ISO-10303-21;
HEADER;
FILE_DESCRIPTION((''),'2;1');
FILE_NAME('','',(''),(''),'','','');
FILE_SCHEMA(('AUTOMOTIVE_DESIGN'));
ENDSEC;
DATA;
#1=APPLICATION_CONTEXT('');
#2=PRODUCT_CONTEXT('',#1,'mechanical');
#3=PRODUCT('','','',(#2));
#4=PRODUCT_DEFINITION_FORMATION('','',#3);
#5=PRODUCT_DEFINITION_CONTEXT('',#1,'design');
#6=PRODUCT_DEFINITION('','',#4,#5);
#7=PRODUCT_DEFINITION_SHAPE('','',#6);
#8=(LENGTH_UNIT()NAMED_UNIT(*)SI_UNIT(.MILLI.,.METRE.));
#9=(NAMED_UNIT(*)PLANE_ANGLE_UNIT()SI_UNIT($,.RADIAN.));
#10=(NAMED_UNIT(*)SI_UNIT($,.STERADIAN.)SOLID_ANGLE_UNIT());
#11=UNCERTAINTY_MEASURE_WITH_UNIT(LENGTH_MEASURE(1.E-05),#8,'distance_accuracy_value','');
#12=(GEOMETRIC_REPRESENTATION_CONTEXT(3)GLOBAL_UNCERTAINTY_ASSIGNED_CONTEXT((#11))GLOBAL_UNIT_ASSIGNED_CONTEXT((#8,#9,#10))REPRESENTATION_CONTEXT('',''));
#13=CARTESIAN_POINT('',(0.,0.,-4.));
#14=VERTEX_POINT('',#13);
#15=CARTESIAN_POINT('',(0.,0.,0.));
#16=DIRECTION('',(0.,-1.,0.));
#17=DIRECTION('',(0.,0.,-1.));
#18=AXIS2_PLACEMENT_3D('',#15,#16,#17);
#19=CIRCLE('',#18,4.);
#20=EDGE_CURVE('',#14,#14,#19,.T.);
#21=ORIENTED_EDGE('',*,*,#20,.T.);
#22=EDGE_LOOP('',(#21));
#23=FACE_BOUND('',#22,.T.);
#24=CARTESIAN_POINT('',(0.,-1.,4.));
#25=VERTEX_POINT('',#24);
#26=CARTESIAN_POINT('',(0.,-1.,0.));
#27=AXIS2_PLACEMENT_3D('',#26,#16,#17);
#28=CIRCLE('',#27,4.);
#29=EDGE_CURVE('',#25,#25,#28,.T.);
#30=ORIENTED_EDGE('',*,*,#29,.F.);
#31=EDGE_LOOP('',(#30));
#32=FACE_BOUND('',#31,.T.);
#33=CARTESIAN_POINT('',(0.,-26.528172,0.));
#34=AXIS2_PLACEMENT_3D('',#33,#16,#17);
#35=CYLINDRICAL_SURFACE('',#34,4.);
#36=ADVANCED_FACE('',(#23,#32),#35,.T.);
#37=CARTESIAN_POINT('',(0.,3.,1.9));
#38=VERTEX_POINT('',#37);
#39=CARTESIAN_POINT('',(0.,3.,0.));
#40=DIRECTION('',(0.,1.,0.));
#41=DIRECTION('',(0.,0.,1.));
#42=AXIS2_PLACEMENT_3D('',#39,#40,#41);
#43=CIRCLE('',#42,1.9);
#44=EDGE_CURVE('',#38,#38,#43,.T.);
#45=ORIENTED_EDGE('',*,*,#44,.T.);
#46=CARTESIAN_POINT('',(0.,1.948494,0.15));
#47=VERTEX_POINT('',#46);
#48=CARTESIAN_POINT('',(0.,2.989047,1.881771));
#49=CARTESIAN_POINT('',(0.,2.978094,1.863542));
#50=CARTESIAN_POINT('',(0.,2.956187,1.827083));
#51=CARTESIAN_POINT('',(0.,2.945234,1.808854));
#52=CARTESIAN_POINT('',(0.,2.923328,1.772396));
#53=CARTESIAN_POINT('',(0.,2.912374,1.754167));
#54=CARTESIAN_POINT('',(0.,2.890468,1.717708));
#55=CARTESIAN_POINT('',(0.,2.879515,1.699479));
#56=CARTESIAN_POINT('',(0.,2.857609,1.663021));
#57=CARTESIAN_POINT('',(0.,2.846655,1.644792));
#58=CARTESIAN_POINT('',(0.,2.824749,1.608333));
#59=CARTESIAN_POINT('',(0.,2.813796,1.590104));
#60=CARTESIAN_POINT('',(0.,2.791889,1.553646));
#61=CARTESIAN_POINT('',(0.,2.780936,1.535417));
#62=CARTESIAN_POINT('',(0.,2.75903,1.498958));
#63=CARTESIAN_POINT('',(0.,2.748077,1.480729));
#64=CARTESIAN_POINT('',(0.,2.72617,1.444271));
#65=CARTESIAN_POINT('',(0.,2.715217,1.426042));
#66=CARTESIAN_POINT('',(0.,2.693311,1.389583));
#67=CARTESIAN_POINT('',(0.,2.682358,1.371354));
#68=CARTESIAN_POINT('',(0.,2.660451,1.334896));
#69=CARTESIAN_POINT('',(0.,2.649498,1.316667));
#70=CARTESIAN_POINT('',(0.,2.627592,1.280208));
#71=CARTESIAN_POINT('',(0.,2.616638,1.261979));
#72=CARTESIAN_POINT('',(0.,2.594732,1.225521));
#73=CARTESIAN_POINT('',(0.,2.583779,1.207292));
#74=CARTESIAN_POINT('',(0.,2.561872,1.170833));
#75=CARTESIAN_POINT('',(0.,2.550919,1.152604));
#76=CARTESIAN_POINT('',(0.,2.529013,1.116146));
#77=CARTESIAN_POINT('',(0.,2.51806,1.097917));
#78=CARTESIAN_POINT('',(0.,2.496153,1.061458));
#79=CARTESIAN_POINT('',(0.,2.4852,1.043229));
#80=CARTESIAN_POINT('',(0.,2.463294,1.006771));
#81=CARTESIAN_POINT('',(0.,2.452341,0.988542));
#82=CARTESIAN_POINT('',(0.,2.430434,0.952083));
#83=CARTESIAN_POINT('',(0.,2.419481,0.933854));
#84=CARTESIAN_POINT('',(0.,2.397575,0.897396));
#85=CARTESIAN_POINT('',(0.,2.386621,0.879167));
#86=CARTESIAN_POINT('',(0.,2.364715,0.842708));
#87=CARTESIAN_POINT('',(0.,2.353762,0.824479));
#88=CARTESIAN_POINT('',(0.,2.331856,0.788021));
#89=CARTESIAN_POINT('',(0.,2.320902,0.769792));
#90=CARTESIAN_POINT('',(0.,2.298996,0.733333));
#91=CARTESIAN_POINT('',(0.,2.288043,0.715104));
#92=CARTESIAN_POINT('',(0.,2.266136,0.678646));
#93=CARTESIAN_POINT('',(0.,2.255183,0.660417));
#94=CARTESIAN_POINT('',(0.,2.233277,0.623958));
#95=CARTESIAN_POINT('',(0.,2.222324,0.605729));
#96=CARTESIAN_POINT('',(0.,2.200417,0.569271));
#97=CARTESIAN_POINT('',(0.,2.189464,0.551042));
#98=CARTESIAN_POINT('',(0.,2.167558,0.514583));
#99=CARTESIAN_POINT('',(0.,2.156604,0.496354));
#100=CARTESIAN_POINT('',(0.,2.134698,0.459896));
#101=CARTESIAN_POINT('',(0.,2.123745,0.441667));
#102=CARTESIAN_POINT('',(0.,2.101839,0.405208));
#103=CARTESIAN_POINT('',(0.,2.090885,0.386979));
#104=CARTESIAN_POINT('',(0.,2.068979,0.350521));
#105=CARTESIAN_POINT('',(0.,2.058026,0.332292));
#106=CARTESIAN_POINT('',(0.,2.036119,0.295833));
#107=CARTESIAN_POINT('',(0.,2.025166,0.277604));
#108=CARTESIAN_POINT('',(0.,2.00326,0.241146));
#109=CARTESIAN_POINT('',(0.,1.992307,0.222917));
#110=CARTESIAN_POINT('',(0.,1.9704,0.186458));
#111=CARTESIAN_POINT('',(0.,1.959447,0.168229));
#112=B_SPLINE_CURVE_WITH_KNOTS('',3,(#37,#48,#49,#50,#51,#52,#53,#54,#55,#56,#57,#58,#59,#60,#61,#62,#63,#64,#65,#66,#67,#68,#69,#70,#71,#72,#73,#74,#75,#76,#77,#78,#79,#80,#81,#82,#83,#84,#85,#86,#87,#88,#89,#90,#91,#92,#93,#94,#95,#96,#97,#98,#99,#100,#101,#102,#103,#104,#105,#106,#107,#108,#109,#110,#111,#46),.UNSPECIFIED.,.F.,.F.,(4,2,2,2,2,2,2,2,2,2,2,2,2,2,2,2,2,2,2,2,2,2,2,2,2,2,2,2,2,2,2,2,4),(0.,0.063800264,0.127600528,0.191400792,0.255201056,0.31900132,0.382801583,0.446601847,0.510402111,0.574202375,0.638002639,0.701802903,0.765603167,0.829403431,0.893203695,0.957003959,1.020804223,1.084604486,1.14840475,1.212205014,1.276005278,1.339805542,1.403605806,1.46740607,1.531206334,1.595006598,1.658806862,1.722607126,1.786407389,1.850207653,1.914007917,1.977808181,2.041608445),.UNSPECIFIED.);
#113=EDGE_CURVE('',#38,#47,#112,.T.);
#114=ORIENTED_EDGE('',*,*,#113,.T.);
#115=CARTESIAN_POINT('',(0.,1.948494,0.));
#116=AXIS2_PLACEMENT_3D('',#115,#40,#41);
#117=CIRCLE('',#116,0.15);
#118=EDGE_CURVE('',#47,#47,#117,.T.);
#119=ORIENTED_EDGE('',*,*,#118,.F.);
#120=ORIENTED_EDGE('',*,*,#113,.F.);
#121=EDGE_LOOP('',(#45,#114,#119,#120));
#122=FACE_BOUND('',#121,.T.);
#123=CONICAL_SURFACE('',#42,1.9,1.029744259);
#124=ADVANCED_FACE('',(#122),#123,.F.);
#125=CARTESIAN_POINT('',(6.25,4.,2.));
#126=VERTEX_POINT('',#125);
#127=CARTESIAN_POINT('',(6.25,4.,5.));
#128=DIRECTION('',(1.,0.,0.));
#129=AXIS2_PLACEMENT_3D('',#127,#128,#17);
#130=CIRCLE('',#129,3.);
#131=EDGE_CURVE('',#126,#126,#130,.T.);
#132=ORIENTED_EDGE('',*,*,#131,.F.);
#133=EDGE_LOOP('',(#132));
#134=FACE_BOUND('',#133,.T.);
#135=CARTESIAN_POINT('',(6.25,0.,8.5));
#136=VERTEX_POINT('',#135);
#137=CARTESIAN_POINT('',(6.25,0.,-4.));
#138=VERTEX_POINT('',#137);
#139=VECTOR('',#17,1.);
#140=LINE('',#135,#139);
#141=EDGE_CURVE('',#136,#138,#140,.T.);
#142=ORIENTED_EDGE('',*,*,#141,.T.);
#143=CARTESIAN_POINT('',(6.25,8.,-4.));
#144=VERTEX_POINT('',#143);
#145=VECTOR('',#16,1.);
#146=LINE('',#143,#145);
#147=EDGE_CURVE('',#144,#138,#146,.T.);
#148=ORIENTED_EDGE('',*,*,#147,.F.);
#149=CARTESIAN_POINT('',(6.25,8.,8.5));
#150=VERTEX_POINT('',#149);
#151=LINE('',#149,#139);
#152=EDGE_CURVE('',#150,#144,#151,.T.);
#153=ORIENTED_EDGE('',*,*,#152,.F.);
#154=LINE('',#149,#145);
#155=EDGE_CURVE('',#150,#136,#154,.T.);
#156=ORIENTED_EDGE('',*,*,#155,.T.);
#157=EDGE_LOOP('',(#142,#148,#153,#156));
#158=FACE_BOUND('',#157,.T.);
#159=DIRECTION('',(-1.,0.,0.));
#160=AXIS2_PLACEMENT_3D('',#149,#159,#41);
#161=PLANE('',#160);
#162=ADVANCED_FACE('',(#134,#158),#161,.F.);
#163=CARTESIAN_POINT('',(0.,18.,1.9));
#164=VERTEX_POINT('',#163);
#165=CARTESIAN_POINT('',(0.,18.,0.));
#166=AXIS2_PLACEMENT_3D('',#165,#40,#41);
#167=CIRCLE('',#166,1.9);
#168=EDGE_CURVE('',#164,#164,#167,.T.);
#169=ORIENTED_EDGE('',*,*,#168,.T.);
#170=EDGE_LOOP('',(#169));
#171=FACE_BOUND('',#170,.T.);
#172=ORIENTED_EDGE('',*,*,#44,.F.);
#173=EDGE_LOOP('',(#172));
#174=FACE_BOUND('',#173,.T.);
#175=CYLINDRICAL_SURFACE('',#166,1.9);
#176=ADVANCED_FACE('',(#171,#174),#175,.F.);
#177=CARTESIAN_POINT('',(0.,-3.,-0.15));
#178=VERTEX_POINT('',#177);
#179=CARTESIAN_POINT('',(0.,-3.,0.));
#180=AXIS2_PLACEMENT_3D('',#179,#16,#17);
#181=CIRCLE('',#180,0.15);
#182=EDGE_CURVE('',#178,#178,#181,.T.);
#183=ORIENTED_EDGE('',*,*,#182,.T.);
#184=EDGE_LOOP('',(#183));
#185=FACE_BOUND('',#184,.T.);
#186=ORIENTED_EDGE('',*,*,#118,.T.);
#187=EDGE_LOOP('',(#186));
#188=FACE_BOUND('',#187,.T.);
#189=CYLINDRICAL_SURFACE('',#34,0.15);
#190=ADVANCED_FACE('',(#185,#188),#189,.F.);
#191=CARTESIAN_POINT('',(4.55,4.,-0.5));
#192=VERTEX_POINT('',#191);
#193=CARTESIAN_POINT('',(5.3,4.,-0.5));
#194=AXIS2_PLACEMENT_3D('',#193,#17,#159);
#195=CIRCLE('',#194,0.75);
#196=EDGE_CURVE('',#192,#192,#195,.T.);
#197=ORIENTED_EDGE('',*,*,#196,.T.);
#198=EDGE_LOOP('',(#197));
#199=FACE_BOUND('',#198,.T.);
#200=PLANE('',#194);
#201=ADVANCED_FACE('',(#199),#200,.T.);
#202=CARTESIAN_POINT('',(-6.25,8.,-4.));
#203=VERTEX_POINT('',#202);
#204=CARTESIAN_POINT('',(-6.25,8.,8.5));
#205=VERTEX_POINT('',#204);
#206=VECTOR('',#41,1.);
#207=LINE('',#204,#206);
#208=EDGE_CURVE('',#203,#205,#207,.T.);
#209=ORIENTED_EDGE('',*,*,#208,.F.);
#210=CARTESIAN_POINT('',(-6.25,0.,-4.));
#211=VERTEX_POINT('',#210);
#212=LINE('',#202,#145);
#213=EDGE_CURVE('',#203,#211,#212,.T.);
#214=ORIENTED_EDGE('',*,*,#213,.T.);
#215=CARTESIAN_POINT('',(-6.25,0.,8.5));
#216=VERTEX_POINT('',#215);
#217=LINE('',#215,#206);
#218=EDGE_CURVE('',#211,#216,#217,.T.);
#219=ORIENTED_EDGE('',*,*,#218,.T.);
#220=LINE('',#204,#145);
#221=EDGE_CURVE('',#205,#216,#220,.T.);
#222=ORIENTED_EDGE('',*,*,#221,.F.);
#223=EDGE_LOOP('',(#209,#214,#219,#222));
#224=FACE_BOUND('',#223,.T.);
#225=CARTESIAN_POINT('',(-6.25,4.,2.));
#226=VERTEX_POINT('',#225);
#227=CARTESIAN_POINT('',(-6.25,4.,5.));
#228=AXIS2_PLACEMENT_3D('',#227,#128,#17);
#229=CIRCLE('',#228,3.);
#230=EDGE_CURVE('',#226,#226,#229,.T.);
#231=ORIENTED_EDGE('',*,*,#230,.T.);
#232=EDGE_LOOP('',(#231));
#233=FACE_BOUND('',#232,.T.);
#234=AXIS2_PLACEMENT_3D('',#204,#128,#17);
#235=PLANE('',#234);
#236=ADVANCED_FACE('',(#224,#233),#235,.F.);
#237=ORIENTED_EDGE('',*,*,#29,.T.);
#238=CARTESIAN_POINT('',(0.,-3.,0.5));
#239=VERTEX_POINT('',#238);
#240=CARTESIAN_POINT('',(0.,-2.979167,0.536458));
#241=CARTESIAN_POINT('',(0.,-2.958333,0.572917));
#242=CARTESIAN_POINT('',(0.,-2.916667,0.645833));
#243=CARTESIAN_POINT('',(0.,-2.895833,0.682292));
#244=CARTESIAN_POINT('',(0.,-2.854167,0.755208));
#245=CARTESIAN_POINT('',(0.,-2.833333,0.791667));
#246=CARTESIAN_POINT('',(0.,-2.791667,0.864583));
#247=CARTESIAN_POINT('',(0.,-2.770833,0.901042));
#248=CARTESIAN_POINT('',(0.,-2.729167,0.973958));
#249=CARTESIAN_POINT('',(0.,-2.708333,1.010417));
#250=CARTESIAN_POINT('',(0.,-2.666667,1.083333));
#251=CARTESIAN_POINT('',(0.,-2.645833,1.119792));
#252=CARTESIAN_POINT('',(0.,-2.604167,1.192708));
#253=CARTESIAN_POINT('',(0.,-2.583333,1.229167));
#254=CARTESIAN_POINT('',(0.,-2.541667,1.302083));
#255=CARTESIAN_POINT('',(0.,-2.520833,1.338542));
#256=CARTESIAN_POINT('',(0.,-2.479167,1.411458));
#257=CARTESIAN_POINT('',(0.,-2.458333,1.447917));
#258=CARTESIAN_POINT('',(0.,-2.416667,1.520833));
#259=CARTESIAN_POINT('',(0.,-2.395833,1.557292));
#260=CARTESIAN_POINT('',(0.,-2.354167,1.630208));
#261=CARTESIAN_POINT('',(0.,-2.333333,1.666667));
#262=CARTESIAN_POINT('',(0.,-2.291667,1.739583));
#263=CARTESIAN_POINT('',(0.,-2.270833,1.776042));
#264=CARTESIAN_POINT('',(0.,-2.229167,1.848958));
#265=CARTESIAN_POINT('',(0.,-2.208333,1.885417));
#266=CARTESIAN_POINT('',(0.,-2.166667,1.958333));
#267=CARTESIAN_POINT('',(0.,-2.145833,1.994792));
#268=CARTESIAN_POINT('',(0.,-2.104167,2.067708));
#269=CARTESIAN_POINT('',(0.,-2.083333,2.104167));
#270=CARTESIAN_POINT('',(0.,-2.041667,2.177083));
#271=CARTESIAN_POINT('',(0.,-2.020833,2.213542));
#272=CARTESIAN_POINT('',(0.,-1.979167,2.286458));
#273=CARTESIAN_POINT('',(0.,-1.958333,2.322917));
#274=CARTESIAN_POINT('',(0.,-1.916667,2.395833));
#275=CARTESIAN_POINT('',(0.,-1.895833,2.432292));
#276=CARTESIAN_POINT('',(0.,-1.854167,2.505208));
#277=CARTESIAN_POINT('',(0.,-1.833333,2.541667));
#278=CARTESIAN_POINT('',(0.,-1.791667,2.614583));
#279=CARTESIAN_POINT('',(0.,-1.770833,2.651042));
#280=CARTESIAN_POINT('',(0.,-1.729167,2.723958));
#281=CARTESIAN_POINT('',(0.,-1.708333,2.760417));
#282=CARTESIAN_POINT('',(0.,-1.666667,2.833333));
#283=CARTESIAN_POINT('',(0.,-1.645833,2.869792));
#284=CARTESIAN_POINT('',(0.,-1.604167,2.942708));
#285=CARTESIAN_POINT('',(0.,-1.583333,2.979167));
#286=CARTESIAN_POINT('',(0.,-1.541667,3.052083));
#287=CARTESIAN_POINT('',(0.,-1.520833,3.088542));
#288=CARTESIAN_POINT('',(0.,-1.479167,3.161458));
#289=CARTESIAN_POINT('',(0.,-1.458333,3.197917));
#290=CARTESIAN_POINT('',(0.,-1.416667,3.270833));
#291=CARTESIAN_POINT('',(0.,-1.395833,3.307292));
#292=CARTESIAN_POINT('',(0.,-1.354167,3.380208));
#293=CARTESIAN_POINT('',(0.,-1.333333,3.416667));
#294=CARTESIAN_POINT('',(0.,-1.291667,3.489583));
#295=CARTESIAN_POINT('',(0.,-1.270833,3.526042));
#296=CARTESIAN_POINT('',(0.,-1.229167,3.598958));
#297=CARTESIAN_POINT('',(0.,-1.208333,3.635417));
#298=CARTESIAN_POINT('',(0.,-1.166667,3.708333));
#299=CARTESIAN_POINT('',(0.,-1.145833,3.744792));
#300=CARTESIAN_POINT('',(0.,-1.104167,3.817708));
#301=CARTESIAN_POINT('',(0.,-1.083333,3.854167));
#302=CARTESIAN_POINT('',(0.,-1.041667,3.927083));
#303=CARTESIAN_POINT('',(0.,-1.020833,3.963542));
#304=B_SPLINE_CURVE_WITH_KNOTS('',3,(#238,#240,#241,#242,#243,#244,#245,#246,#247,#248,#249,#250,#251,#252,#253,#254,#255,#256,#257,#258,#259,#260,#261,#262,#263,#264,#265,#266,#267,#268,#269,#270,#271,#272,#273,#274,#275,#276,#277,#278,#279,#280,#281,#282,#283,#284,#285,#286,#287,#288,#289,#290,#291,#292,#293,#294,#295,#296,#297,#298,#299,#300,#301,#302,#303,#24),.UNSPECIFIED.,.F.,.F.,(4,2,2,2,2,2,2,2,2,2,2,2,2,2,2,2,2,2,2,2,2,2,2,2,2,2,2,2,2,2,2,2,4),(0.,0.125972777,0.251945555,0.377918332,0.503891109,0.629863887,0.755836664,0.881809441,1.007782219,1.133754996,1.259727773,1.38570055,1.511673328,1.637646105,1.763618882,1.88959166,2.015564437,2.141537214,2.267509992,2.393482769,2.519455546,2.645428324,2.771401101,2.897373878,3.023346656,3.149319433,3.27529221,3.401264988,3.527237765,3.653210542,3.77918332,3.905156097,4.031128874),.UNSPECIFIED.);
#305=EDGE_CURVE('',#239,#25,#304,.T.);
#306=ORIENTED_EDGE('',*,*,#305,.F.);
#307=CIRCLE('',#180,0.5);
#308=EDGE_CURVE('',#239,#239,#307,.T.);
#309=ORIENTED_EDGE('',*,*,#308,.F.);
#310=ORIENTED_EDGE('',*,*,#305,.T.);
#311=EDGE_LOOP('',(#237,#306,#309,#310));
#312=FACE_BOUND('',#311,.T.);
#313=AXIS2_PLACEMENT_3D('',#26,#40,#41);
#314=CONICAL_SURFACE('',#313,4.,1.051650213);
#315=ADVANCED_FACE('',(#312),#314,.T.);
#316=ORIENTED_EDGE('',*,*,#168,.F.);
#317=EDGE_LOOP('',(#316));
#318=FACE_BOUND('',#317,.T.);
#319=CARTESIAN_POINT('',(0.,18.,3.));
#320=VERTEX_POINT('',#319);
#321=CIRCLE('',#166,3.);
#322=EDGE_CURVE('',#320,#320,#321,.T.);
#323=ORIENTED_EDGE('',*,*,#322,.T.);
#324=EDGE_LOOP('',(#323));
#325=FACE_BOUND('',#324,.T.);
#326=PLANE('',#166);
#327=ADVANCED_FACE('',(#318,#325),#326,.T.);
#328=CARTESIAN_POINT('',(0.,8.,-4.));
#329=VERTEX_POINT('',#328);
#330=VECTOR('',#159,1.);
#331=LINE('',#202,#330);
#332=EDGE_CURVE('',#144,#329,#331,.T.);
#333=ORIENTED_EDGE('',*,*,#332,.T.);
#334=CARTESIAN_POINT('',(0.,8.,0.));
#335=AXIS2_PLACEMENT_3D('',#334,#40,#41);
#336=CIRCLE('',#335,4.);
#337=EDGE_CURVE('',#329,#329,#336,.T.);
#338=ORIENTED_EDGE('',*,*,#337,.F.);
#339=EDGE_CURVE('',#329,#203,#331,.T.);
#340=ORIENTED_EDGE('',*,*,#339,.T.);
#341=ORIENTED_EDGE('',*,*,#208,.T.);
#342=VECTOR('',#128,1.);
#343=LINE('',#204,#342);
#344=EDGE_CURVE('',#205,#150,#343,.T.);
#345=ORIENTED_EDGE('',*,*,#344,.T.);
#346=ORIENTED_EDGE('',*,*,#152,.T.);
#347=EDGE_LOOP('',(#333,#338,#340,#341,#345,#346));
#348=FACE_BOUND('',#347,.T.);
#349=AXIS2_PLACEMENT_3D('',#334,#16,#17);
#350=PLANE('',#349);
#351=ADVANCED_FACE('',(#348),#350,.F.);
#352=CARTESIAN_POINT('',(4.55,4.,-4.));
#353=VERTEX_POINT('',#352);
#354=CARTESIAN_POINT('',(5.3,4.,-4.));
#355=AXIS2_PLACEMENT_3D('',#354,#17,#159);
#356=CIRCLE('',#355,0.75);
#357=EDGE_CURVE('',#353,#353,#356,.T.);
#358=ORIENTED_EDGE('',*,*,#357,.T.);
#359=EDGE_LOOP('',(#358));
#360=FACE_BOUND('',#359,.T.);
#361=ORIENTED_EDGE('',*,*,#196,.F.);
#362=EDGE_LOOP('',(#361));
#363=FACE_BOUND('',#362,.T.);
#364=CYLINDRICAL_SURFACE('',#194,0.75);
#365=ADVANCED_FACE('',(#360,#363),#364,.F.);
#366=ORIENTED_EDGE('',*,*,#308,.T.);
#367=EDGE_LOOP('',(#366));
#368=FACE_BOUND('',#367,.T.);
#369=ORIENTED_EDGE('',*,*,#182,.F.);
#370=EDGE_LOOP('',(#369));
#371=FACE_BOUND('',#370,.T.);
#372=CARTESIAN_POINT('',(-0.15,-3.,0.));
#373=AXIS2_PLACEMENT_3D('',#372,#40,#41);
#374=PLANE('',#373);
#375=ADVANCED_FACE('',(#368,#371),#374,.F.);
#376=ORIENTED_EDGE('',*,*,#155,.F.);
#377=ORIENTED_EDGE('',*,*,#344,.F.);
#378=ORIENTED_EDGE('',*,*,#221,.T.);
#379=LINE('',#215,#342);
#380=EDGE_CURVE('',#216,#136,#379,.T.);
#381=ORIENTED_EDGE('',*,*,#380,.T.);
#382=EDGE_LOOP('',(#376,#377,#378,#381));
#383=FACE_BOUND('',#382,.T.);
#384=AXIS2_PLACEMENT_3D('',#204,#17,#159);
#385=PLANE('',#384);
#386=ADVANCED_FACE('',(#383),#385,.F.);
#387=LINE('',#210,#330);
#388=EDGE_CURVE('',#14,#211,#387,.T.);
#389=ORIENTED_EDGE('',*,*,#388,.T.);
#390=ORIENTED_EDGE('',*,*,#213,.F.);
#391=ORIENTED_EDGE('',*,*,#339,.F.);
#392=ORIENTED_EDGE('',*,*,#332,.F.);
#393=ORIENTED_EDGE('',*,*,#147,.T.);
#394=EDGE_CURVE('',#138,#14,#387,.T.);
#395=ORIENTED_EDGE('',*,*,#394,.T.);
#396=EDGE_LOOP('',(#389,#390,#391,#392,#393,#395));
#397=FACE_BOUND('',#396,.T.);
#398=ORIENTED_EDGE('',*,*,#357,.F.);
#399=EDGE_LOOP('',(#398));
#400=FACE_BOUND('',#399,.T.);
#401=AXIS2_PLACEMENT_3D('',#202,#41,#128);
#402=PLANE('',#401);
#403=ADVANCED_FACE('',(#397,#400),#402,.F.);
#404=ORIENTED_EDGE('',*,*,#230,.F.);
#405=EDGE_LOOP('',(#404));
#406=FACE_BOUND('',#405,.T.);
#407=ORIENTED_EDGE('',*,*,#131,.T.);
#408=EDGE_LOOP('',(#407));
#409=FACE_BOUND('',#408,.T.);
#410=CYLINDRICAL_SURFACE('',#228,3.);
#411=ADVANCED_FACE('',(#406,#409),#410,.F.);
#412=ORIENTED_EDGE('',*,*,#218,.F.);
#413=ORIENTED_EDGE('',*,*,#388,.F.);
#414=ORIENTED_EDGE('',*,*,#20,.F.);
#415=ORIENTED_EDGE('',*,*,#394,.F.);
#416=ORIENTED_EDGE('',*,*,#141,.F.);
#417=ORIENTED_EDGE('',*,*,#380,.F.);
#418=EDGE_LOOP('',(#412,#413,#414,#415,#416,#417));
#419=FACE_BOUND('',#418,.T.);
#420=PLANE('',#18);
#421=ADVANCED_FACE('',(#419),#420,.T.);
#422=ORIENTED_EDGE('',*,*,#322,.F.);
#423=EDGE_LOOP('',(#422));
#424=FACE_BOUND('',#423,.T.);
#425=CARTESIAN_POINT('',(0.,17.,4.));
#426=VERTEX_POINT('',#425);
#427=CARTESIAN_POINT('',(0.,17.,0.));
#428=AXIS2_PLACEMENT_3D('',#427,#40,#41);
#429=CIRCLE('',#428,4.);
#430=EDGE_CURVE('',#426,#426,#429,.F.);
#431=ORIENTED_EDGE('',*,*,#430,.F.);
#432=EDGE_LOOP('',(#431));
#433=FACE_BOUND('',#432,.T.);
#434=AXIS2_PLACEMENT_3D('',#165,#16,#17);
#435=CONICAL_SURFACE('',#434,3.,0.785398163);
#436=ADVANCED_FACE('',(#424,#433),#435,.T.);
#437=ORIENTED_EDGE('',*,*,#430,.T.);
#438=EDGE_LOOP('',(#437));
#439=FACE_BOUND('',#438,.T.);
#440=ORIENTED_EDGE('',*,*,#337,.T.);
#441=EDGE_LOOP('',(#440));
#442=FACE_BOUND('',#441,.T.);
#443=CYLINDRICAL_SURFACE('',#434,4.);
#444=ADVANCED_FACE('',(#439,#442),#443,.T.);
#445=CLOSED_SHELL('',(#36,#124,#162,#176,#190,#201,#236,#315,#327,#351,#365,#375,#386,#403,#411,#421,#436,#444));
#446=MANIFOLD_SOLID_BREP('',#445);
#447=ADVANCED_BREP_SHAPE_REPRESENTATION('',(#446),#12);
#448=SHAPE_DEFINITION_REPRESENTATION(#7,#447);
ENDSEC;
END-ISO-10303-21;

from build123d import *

# Parameters (mm, degrees)
SCHIZZO2_W                   = 12.5
SCHIZZO2_H                   = 12.5
SCHIZZO2_R                   = 0.15
ESTRUSIONE_ESTRUSIONE1_DEPTH = 8
SCHIZZO3_R                   = 3
TAGLIO_ESTRUSIONE1_DEPTH     = 18.102631376
SCHIZZO4_R                   = 0.75
TAGLIO_ESTRUSIONE2_DEPTH     = 3.5
SCHIZZO5_R                   = 4
ESTRUSIONE_ESTRUSIONE2_DEPTH = 10
SMUSSO1_SIZE                 = 1
FORO_3_8_3_8_1_D             = 3.8
FORO_3_8_3_8_1_DEPTH         = 15
FORO_3_8_3_8_1_TIP           = 1.141635176


with BuildPart() as part:
    # Schizzo1 → Rivoluzione1 (revolve)
    with BuildSketch(Plane.XY, mode=Mode.PRIVATE) as rivoluzione1_sk:
        Polygon((-0.15, 0), (-0.15, -3), (-0.5, -3), (-4, -1), (-4, 0), align=None)
    revolve(rivoluzione1_sk.sketch.rotate(Axis((0, -26.528171736, 0), (0, 1, 0)), 270), axis=Axis((0, -26.528171736, 0), (0, 1, 0)))

    # Schizzo2 → Estrusione-Estrusione1 (add)
    with BuildSketch(Plane(origin=(0, 0, 0), x_dir=(1, 0, 0), z_dir=(0, 1, 0))):
        with Locations((0, -2.25)):
            Rectangle(SCHIZZO2_W, SCHIZZO2_H)
        with Locations(Location((0, 0, 0), (0, 0, 90))):
            Circle(SCHIZZO2_R, mode=Mode.SUBTRACT)
    extrude(amount=ESTRUSIONE_ESTRUSIONE1_DEPTH)

    # Schizzo3 → Taglio-Estrusione1 (cut, through all)
    with BuildSketch(Plane(origin=(6.25, 0, 0), x_dir=(0, 0, -1), z_dir=(1, 0, 0))):
        with Locations((-5, 4)):
            Circle(SCHIZZO3_R)
    extrude(amount=-TAGLIO_ESTRUSIONE1_DEPTH, mode=Mode.SUBTRACT)

    # Schizzo4 → Taglio-Estrusione2 (cut)
    with BuildSketch(Plane(origin=(0, 0, -4), x_dir=(-1, 0, 0), z_dir=(0, 0, -1))):
        with Locations((-5.3, 4)):
            Circle(SCHIZZO4_R)
    extrude(amount=-TAGLIO_ESTRUSIONE2_DEPTH, mode=Mode.SUBTRACT)

    # Schizzo5 → Estrusione-Estrusione2 (add)
    with BuildSketch(Plane(origin=(0, 8, 0), x_dir=(1, 0, 0), z_dir=(0, 1, 0))):
        with Locations(Location((0, 0, 0), (0, 0, 90))):
            Circle(SCHIZZO5_R)
    extrude(amount=ESTRUSIONE_ESTRUSIONE2_DEPTH)

    # Smusso1
    smusso1_edges = [part.edges().sort_by_distance(p)[0] for p in [
        (0, 18, 4),
    ]]
    chamfer(smusso1_edges, length=SMUSSO1_SIZE)

    # Foro Ø3.8 (3.8)-1
    with Locations(Plane(origin=(0, 18, 0), x_dir=(1, 0, 0), z_dir=(0, 1, 0))):
        with Locations((0, 0)):
            Hole(FORO_3_8_3_8_1_D / 2, depth=FORO_3_8_3_8_1_DEPTH)
            with Locations((0, 0, -(FORO_3_8_3_8_1_DEPTH + FORO_3_8_3_8_1_TIP / 2))):  # 118° drill point
                Cone(0, FORO_3_8_3_8_1_D / 2, FORO_3_8_3_8_1_TIP, mode=Mode.SUBTRACT)


solid = part.part
